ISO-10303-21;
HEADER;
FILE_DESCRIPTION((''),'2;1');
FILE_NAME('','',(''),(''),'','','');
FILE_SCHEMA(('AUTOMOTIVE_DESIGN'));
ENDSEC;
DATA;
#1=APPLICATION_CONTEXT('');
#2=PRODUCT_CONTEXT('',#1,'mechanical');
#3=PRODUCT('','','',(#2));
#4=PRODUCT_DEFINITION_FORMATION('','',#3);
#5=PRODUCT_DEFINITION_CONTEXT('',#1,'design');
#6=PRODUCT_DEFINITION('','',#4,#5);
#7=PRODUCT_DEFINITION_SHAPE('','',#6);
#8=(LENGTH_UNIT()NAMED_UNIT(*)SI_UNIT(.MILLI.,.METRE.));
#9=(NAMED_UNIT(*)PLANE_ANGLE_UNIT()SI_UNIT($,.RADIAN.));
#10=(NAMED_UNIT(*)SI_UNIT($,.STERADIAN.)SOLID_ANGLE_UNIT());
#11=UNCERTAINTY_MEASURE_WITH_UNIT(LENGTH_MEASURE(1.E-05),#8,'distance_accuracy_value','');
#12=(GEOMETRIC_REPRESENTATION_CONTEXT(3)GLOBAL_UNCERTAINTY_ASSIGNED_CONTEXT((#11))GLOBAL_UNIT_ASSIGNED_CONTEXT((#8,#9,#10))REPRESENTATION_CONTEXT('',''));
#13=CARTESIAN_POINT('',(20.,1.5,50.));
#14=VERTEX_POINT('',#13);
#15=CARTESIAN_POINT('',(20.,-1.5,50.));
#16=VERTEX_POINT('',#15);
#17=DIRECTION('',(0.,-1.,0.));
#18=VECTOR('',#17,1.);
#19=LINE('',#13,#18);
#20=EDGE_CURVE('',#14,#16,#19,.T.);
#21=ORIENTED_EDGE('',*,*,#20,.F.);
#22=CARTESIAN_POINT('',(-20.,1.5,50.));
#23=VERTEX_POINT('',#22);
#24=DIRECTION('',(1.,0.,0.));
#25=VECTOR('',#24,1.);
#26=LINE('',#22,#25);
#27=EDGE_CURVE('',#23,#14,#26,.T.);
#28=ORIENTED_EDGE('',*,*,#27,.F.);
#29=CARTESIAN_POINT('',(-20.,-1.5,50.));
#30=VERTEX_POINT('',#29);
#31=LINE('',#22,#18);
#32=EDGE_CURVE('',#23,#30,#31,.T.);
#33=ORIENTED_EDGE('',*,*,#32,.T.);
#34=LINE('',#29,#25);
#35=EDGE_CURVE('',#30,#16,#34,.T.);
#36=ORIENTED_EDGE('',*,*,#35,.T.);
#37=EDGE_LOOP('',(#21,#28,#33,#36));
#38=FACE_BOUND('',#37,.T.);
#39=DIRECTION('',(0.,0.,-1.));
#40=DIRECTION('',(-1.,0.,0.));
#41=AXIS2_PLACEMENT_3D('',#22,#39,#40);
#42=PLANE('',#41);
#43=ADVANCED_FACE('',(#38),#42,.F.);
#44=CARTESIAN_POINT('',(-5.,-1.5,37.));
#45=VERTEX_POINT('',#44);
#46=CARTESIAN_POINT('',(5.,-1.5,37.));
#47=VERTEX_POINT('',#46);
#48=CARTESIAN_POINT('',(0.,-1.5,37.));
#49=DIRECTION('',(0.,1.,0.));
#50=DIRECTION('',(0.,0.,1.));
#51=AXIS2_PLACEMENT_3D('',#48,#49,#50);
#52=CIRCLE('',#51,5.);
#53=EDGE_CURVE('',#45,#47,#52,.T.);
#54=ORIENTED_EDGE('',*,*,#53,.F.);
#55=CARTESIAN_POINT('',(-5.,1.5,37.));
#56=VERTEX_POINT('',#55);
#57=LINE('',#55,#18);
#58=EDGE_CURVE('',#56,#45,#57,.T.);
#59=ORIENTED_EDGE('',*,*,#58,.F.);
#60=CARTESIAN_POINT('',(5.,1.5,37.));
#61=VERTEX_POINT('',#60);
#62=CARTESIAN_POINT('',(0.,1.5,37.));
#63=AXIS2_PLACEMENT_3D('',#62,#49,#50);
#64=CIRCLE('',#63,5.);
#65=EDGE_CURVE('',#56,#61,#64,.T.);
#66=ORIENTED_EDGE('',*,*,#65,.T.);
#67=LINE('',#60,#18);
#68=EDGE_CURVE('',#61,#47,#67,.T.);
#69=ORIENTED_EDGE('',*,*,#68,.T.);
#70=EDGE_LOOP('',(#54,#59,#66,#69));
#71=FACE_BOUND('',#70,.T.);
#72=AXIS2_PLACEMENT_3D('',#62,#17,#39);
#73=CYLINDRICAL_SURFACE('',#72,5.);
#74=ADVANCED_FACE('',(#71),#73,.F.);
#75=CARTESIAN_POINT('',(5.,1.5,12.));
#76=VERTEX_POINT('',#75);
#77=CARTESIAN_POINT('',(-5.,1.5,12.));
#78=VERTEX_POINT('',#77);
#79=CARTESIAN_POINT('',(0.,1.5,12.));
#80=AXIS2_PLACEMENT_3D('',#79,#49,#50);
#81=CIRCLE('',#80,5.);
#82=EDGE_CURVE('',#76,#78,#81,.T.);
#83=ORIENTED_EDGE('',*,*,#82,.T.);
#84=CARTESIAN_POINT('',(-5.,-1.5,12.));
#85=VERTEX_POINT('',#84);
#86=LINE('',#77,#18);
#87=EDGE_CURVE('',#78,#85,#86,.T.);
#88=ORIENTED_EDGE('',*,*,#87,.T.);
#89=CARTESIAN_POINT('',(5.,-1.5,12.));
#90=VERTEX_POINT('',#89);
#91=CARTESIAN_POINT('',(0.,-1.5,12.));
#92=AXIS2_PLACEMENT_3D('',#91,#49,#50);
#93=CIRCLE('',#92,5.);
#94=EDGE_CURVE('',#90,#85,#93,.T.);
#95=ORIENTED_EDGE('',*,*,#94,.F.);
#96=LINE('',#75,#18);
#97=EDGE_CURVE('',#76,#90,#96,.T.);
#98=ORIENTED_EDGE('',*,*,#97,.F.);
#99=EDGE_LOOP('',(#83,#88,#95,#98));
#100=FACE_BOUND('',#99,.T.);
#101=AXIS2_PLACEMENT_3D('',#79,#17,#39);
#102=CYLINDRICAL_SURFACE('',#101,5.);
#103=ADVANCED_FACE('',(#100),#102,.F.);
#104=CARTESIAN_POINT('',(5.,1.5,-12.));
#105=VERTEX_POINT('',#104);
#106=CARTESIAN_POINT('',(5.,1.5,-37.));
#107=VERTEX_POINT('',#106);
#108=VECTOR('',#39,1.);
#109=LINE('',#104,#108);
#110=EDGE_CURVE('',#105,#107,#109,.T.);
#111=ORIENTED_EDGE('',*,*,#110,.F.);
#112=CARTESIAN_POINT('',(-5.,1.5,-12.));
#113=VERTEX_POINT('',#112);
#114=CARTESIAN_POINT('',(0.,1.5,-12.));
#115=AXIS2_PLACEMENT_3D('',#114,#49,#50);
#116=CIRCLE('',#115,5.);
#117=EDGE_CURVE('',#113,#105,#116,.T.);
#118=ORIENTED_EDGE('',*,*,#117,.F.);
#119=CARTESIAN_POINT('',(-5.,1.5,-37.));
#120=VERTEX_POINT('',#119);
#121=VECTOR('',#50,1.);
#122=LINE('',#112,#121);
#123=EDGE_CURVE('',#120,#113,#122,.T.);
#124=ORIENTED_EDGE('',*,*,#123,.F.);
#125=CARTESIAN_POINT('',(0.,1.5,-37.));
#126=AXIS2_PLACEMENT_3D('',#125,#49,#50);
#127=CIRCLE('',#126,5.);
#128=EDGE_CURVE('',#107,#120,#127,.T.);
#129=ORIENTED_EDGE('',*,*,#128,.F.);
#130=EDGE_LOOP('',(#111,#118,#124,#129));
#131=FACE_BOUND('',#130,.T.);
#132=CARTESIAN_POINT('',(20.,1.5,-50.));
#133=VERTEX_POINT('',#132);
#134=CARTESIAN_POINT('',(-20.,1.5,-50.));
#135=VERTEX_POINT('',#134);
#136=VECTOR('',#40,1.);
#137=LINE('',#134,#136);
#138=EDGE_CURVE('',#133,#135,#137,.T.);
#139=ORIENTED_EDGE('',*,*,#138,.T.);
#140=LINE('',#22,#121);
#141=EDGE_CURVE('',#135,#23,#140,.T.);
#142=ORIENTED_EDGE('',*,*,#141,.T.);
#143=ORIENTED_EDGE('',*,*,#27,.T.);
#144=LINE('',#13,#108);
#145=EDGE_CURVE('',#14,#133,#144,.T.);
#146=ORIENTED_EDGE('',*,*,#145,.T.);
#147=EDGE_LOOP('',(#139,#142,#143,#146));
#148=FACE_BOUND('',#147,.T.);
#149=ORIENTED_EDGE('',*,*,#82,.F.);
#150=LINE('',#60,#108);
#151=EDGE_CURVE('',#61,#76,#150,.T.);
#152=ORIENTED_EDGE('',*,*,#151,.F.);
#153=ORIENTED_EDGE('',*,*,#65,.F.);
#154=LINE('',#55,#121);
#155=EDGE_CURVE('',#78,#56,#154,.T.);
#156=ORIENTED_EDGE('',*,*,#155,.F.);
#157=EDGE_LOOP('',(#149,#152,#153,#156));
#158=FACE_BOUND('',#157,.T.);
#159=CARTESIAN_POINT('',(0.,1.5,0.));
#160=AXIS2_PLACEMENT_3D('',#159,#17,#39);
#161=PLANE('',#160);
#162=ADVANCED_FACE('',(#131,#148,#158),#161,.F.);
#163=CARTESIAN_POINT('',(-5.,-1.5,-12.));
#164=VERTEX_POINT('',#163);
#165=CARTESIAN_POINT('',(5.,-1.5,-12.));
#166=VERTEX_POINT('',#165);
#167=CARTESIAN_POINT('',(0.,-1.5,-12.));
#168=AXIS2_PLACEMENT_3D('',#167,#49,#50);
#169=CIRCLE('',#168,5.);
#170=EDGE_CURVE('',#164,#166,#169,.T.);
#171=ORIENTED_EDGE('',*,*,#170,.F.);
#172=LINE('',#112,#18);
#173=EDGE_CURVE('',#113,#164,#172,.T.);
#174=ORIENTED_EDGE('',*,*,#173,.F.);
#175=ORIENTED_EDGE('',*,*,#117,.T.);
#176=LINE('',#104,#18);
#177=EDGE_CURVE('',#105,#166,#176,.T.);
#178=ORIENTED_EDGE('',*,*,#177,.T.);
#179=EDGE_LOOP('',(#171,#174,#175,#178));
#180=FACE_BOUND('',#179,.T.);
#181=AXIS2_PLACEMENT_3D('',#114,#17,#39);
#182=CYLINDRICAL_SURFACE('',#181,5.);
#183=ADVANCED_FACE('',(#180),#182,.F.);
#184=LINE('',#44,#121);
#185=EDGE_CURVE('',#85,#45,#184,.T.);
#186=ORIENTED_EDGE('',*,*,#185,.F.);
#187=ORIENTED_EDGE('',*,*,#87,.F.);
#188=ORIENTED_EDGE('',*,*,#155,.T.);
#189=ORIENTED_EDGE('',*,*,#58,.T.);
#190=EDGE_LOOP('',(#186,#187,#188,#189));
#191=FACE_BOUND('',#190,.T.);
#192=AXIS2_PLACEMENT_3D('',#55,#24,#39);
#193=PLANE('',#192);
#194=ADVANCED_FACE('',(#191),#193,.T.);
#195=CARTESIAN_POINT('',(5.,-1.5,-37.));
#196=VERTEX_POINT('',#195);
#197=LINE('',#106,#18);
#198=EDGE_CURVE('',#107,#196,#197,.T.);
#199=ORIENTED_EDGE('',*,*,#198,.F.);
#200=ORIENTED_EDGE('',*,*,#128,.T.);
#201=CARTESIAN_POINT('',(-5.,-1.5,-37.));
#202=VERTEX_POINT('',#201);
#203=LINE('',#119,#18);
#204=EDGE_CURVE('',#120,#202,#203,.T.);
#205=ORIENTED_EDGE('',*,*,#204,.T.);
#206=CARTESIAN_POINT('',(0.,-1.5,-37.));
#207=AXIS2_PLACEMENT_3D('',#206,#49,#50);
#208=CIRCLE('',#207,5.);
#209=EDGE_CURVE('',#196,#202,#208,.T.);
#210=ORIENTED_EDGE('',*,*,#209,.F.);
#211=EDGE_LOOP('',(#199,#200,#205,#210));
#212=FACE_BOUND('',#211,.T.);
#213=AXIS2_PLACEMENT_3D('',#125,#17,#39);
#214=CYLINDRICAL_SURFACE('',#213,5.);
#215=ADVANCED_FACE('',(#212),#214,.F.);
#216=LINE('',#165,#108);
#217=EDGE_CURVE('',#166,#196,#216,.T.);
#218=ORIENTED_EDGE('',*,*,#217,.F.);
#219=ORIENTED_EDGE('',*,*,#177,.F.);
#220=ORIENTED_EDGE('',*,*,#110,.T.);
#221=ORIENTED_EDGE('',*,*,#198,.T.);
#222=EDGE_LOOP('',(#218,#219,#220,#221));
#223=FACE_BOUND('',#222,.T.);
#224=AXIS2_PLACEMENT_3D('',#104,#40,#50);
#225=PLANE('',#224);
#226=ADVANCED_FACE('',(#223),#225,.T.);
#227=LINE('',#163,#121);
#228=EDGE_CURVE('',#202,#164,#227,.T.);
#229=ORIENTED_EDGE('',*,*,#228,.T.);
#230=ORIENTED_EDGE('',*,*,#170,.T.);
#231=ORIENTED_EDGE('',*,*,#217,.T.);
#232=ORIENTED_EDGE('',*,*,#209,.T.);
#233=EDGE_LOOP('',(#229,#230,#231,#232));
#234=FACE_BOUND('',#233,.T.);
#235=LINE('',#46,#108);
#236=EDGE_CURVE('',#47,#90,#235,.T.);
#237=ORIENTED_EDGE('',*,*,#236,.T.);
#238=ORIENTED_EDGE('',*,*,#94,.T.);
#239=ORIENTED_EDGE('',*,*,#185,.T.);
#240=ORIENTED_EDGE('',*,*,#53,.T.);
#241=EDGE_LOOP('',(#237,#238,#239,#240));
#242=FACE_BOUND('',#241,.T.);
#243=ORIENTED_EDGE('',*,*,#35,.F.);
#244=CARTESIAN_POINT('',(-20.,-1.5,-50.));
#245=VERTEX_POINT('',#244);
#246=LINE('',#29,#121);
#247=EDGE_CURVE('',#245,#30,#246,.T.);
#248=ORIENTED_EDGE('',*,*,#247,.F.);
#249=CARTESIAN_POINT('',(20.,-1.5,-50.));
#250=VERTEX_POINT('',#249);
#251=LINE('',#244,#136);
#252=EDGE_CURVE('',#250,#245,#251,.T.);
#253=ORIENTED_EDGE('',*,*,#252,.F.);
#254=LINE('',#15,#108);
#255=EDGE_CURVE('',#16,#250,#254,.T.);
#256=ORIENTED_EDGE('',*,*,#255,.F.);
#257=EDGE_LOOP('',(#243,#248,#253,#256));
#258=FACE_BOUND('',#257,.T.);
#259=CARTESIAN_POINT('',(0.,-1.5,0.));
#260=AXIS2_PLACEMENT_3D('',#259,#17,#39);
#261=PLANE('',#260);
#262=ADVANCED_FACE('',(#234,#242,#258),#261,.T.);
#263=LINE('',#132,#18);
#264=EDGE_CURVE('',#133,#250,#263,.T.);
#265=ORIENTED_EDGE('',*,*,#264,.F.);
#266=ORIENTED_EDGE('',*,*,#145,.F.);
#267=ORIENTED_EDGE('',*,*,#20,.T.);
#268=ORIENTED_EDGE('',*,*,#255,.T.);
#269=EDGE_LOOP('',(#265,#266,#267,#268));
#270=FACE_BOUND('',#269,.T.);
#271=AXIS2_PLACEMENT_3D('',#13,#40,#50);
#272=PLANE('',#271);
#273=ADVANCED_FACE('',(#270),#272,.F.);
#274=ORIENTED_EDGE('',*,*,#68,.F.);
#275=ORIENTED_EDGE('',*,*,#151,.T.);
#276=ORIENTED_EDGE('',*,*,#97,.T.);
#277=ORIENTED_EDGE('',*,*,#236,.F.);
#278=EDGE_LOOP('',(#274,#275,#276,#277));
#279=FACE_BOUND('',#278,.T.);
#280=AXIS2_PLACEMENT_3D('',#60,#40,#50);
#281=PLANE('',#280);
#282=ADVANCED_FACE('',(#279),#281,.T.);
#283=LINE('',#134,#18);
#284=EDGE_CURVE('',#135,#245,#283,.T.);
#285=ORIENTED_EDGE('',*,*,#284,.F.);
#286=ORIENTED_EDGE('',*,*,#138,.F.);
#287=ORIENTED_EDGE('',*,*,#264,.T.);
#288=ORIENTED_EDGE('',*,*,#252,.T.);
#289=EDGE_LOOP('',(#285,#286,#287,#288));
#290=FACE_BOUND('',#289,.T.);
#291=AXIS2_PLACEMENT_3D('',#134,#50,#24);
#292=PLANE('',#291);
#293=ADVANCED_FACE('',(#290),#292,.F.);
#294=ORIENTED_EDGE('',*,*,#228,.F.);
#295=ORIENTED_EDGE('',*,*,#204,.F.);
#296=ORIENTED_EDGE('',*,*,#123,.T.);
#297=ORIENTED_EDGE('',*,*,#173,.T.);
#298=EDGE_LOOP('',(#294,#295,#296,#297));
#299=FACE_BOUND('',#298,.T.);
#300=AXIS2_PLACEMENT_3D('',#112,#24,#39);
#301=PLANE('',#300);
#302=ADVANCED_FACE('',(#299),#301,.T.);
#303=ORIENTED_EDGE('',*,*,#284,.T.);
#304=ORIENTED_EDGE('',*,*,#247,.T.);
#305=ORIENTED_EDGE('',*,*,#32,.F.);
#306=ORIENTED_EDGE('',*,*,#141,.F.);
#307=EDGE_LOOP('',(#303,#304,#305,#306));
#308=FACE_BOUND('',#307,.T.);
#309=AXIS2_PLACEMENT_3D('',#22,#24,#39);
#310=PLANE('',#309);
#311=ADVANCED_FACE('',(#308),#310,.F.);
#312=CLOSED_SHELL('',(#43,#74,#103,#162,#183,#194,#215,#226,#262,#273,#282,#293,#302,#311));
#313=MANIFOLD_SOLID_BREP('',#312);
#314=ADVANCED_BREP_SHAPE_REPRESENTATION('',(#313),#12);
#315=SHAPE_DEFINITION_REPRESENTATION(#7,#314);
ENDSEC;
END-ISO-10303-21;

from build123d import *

# Parameters (mm, degrees)
SKETCH_2_W      = 40
SKETCH_2_H      = 100
EXTRUDE_1_DEPTH = 1.5


with BuildPart() as part:
    # Эскиз2 → Бобышка-Вытянуть1 (new, symmetric)
    with BuildSketch(Plane(origin=(0, 0, 0), x_dir=(1, 0, 0), z_dir=(0, 1, 0))):
        Rectangle(SKETCH_2_W, SKETCH_2_H)
        with BuildLine():
            Line((-5, 12), (-5, 37))
            ThreePointArc((-5, 37), (0, 42), (5, 37))
            Line((5, 37), (5, 12))
            ThreePointArc((5, 12), (0, 7), (-5, 12))
        make_face(mode=Mode.SUBTRACT)
        with BuildLine():
            Line((-5, -37), (-5, -12))
            ThreePointArc((-5, -12), (0, -7), (5, -12))
            Line((5, -12), (5, -37))
            ThreePointArc((5, -37), (0, -42), (-5, -37))
        make_face(mode=Mode.SUBTRACT)
    extrude(amount=EXTRUDE_1_DEPTH, both=True)


solid = part.part
